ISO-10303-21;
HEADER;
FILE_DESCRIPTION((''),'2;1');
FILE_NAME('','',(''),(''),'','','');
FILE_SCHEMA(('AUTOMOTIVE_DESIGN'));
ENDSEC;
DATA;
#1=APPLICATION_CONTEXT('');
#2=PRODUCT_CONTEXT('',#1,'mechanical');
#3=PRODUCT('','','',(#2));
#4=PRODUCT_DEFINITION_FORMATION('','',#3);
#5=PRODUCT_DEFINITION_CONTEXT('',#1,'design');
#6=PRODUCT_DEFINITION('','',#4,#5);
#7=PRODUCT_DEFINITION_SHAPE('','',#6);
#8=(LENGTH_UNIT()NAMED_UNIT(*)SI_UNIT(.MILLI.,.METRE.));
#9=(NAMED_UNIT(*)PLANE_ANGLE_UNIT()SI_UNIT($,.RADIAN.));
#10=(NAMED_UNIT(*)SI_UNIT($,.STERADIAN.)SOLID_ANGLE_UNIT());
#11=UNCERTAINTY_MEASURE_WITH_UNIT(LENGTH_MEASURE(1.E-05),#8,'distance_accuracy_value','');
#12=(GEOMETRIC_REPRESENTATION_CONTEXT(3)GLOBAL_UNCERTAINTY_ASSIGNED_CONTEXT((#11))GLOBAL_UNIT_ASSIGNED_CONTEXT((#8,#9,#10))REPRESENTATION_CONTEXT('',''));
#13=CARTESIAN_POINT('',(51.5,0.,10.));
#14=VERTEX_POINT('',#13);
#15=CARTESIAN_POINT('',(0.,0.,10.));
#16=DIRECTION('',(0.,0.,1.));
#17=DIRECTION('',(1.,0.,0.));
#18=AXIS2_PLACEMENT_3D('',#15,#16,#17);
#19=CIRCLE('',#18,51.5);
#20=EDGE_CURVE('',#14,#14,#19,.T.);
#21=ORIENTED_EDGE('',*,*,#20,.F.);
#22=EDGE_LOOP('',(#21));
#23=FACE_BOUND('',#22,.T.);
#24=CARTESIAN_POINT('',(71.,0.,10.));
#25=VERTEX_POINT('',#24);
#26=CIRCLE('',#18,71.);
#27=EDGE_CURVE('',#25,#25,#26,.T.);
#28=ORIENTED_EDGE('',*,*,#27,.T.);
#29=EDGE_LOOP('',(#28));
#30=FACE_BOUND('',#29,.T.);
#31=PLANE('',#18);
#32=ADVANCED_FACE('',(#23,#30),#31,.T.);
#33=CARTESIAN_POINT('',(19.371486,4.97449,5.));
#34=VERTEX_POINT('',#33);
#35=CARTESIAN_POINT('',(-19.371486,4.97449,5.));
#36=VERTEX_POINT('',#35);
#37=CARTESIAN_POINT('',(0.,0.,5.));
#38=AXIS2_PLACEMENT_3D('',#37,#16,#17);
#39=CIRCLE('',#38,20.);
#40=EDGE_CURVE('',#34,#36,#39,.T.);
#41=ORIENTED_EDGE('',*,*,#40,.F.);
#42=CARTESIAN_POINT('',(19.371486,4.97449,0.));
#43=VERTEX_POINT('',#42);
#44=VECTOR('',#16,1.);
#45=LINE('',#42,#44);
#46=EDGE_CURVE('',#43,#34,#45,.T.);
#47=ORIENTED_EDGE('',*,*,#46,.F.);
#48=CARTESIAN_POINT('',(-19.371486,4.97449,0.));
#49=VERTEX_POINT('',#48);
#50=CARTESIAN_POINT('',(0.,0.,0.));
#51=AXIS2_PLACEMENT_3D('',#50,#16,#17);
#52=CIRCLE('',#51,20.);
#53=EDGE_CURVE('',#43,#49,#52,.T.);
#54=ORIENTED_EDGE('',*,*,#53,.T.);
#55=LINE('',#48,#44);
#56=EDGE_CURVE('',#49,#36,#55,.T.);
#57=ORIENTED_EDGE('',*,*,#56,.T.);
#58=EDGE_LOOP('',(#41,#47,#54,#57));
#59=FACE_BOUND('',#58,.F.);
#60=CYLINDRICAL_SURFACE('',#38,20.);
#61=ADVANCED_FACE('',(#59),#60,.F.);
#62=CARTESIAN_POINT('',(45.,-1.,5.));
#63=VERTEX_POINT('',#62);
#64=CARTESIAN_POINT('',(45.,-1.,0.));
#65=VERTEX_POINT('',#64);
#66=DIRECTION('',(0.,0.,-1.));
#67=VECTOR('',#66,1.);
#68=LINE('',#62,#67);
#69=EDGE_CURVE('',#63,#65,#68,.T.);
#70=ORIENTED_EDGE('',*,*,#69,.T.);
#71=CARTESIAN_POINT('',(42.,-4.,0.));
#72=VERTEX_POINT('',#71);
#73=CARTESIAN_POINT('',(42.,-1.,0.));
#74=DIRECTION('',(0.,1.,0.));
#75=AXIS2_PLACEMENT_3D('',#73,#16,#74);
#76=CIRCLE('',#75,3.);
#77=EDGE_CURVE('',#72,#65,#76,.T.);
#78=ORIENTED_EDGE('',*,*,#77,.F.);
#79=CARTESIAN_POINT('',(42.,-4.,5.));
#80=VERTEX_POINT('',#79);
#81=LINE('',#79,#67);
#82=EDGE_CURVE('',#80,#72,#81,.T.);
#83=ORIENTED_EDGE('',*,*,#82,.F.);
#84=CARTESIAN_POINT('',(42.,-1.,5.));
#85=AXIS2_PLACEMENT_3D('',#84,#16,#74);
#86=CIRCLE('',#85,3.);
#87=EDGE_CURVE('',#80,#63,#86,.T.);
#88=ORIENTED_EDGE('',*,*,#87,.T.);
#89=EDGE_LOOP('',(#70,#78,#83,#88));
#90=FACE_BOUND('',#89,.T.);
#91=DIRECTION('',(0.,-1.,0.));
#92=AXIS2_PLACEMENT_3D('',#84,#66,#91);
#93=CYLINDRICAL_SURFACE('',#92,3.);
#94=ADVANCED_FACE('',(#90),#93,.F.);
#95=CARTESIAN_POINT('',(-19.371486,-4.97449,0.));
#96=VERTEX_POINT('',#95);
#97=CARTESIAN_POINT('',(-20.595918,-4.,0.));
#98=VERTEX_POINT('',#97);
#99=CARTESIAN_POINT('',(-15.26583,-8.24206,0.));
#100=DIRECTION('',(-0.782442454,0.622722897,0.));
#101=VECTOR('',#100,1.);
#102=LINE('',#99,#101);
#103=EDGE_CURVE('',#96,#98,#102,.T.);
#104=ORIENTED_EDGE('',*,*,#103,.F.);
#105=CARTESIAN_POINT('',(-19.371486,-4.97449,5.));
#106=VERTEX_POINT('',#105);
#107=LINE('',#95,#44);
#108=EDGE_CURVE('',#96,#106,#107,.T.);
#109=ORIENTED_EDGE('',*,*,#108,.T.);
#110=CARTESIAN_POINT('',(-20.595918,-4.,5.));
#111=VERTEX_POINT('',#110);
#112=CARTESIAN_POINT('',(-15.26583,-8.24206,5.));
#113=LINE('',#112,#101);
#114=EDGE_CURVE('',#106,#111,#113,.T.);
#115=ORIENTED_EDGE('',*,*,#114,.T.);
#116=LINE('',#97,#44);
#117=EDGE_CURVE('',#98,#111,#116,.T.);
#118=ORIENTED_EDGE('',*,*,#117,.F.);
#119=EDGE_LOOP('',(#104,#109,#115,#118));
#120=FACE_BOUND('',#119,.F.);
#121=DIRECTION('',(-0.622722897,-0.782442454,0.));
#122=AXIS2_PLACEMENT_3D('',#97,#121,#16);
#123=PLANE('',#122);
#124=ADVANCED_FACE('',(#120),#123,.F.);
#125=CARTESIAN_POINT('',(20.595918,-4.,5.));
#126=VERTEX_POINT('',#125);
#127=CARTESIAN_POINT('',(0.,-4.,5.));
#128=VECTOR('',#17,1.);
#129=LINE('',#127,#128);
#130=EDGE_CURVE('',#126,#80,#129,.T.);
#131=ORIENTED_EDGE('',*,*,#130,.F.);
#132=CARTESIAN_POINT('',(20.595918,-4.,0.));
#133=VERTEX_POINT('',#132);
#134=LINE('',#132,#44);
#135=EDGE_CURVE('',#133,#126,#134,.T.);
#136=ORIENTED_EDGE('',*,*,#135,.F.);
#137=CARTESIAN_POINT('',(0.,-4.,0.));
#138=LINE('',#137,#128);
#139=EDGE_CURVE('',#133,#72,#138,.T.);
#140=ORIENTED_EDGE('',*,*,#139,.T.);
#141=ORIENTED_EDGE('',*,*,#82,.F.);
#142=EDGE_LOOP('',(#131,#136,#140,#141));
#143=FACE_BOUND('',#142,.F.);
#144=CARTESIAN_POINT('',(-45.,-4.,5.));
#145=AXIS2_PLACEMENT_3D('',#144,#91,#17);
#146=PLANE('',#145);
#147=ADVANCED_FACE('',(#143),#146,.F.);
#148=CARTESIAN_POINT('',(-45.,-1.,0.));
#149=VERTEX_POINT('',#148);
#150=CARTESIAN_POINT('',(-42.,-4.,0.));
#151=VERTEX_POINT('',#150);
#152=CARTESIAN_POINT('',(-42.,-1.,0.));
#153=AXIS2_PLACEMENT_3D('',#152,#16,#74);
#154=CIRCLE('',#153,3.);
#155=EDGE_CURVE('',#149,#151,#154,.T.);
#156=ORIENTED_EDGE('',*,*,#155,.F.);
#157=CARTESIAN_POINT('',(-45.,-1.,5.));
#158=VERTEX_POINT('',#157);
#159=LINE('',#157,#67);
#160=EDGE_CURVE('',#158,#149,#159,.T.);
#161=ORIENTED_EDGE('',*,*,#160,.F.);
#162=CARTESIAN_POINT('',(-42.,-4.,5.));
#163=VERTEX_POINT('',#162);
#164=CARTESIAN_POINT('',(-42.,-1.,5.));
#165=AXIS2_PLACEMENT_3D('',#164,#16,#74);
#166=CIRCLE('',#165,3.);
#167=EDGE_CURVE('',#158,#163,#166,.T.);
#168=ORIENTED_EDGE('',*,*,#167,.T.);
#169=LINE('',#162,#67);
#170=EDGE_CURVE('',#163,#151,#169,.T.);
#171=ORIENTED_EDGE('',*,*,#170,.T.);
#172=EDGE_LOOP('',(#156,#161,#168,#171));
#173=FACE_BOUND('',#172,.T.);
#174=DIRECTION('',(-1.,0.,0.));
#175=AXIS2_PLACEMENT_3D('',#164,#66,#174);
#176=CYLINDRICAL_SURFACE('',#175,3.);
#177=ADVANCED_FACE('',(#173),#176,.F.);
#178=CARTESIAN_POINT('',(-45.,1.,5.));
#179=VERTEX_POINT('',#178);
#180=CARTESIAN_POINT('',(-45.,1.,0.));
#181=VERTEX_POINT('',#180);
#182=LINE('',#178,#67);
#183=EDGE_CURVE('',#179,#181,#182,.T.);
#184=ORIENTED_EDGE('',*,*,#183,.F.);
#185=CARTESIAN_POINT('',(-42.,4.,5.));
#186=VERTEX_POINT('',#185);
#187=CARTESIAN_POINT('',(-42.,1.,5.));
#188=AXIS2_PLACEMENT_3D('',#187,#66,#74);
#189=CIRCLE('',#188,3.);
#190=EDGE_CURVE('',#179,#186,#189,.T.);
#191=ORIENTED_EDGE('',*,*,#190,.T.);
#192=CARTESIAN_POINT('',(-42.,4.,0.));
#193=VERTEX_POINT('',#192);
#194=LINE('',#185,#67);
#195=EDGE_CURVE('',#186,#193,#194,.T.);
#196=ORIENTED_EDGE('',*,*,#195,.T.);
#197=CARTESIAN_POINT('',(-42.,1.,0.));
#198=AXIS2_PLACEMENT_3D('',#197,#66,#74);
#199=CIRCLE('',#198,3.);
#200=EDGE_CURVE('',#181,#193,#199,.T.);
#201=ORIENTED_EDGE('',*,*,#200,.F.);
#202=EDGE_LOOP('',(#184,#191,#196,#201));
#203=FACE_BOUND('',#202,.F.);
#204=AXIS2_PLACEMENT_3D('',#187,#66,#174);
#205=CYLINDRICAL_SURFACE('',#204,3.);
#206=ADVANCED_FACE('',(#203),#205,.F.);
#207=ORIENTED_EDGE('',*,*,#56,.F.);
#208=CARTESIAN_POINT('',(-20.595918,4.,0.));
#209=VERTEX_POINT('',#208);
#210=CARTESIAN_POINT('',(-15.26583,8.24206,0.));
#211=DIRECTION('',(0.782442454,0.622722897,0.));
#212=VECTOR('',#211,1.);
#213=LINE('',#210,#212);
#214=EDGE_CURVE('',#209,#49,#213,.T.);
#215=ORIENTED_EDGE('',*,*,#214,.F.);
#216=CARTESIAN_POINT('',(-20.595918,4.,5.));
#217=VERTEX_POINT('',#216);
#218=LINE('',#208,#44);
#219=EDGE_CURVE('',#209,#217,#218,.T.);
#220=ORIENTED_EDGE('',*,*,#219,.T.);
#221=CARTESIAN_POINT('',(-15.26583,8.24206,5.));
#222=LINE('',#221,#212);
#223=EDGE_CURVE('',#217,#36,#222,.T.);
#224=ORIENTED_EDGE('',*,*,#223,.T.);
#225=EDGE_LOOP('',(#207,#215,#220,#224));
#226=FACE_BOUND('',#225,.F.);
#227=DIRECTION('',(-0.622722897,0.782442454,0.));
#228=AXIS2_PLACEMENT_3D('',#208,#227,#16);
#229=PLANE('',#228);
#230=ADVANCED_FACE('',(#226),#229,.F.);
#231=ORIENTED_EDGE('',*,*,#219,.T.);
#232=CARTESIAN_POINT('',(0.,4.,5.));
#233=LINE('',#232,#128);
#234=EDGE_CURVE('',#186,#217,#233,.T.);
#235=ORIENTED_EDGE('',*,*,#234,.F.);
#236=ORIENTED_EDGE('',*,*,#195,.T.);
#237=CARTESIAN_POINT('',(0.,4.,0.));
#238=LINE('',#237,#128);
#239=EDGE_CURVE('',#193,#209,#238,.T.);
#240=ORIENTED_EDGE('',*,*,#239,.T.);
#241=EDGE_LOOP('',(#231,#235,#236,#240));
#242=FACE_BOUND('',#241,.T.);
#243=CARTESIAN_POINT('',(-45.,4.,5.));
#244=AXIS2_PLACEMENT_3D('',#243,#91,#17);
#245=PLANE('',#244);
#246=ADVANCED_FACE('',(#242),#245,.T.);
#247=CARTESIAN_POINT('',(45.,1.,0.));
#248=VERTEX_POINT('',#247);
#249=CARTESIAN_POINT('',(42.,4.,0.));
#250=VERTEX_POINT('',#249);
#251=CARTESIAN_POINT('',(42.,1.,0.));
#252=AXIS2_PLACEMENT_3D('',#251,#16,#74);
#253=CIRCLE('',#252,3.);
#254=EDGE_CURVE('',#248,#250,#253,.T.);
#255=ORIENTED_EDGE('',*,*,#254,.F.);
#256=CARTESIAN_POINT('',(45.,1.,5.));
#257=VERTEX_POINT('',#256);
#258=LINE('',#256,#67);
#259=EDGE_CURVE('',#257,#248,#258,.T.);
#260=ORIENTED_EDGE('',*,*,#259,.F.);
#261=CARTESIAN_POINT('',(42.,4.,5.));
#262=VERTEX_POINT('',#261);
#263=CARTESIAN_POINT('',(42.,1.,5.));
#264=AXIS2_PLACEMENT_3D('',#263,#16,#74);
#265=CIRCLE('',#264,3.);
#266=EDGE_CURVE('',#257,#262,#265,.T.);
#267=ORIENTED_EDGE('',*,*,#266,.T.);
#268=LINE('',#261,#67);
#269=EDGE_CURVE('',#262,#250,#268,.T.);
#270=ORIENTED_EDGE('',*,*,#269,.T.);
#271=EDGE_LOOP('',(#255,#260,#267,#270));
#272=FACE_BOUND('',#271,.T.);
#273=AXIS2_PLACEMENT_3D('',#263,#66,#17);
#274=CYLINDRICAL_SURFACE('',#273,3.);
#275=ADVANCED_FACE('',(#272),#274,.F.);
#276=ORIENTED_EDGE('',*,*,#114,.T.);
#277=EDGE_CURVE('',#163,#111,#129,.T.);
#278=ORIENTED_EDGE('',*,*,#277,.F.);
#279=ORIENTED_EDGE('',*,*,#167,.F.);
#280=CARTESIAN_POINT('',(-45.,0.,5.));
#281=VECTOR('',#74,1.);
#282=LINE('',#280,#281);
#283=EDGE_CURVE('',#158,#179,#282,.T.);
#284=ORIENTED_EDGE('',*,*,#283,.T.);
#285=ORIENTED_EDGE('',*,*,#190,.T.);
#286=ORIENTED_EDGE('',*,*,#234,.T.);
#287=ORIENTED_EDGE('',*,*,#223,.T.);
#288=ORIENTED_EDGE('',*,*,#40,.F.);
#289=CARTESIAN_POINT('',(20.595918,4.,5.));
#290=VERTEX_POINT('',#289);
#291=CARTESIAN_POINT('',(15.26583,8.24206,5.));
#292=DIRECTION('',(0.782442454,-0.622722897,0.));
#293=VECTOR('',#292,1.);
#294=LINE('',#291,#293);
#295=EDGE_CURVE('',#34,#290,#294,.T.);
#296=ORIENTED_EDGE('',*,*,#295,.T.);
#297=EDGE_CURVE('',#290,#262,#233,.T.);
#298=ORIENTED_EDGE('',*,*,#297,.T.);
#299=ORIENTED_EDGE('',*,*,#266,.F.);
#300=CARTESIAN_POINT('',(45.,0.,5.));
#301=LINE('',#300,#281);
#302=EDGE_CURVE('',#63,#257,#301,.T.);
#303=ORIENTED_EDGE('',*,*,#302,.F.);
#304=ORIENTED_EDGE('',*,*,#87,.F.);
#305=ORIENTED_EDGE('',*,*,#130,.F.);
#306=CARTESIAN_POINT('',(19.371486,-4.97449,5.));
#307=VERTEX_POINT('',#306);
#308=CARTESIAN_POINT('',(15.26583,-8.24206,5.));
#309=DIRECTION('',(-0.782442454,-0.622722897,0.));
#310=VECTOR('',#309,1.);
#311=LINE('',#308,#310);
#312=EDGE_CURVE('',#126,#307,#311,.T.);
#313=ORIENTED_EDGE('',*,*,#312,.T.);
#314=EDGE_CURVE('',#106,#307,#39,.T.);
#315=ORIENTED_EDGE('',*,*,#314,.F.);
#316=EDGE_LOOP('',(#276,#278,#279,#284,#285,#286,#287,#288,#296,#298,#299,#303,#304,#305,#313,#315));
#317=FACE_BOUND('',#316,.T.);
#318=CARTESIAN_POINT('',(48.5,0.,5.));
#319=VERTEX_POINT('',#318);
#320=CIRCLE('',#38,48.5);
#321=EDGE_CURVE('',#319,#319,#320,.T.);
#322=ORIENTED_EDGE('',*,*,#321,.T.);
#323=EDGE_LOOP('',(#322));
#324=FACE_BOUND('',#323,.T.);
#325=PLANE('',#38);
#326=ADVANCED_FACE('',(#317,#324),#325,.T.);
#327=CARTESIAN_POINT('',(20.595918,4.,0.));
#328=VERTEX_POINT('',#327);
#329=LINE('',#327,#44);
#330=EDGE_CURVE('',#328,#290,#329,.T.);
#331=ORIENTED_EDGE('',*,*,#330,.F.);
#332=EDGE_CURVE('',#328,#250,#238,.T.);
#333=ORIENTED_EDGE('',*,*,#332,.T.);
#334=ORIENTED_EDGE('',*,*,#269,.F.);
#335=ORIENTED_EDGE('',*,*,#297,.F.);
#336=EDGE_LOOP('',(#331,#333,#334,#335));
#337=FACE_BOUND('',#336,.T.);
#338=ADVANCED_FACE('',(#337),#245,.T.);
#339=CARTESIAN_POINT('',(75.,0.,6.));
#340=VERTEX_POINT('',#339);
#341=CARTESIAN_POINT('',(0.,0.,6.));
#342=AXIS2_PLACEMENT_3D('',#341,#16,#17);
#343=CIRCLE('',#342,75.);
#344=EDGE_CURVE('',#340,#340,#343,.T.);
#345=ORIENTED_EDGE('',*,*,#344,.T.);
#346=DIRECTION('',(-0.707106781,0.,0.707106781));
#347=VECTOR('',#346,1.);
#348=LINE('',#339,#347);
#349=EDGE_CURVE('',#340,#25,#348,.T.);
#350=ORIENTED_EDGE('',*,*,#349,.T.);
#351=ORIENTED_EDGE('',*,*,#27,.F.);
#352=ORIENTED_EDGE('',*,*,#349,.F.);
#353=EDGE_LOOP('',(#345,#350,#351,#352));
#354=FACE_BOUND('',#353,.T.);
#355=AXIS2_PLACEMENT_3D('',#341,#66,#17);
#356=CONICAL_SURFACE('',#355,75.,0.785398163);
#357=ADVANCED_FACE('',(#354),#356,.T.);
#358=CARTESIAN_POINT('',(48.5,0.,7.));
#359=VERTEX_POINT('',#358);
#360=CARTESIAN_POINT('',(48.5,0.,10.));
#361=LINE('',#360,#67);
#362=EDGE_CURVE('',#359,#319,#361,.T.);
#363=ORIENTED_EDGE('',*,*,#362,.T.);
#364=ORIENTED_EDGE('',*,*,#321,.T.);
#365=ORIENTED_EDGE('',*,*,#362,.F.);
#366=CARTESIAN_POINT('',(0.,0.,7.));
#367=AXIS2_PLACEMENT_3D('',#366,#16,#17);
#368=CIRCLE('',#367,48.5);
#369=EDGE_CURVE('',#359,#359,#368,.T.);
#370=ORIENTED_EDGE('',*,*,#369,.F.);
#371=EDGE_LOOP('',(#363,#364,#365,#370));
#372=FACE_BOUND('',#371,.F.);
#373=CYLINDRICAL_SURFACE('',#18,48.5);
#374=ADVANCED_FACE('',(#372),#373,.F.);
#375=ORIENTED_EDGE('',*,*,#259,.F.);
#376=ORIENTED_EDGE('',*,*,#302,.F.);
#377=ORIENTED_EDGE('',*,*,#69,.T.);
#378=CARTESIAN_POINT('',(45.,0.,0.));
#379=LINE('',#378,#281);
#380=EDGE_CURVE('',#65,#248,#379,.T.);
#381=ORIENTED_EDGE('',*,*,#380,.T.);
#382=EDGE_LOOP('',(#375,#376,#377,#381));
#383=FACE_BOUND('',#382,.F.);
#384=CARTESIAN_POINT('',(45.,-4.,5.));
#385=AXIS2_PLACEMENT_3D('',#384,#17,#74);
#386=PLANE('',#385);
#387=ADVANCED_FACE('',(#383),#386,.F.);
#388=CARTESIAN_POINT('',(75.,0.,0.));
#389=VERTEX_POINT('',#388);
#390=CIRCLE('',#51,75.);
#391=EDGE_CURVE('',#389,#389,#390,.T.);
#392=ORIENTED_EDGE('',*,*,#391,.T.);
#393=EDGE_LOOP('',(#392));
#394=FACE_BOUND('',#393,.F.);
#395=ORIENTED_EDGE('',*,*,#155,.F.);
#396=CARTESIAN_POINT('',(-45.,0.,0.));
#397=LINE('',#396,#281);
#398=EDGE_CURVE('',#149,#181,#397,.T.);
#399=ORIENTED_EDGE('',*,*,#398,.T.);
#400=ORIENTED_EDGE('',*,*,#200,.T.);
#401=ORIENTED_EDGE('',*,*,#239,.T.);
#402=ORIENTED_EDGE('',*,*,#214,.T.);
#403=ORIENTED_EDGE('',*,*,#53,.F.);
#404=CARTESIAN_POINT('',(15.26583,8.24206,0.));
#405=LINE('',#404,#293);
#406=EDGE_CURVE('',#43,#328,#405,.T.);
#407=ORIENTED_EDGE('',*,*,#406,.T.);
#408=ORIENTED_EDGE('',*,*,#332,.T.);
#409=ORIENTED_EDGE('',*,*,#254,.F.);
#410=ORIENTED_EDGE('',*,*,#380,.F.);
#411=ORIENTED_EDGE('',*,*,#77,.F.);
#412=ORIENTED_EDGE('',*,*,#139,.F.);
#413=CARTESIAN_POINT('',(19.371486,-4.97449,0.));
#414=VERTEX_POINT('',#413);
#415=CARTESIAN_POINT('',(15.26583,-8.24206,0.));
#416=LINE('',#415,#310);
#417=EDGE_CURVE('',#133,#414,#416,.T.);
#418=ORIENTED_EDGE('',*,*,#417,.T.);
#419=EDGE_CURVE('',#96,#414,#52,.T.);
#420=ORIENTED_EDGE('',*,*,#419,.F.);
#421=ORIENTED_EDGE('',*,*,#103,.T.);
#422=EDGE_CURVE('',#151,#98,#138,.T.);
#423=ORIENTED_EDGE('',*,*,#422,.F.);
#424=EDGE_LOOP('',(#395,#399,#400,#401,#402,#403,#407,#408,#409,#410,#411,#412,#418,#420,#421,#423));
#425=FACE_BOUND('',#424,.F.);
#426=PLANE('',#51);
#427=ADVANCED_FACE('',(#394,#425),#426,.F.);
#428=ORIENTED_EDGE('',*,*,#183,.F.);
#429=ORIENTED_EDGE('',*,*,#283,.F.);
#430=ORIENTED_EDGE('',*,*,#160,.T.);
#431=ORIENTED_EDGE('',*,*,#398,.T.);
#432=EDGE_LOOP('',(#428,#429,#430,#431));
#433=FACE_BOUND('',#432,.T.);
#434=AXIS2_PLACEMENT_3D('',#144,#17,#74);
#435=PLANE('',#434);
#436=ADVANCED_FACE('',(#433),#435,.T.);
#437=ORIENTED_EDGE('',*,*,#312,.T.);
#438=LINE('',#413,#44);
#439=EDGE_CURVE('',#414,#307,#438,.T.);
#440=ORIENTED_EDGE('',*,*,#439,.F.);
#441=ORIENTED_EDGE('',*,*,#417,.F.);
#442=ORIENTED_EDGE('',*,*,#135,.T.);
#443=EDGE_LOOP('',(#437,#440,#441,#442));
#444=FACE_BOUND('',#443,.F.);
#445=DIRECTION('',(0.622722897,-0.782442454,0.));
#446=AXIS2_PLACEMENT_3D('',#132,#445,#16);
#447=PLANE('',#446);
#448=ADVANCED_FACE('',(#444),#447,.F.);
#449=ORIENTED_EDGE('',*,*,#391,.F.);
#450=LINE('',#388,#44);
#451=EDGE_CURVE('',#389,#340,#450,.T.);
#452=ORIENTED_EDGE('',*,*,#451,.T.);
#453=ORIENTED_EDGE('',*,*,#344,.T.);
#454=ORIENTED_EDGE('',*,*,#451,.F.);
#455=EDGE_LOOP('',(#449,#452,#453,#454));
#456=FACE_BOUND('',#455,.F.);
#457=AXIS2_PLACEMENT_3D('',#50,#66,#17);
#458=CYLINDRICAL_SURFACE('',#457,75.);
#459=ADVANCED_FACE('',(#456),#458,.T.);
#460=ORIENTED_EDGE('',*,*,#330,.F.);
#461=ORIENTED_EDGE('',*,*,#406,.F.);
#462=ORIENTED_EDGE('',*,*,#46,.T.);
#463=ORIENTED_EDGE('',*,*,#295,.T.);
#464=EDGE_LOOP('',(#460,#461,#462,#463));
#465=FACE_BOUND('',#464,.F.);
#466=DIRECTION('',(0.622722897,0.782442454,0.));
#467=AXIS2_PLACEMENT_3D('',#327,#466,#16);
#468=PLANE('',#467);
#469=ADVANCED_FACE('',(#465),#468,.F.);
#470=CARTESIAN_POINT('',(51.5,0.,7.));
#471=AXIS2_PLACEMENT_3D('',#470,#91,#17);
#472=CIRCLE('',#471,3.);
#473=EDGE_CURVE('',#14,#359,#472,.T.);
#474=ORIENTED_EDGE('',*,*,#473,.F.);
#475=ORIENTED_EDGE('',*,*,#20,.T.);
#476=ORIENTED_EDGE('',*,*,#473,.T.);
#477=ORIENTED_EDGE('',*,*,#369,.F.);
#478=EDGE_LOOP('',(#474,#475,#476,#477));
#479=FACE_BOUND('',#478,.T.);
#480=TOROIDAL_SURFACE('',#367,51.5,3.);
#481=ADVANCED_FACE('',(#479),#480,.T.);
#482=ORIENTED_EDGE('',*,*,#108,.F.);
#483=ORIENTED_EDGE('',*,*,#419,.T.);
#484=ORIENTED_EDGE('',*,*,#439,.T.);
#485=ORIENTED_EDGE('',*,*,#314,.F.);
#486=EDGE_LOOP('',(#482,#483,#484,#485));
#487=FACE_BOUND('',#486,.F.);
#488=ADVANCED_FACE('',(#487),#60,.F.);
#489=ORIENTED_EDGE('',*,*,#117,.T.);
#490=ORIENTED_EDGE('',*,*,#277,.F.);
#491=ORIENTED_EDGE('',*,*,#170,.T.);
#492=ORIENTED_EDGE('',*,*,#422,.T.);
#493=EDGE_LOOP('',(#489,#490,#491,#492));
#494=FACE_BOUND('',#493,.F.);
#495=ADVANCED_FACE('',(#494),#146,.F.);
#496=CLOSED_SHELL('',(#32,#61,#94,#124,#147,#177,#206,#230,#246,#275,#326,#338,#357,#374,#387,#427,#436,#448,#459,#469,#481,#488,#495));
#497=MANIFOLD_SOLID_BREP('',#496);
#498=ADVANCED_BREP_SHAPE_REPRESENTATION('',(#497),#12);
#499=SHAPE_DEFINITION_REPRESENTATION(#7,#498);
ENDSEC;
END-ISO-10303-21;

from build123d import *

# Parameters (mm, degrees)
SKETCH_R        = 75
PAD_DEPTH       = 10
SKETCH001_R     = 48.5
POCKET_DEPTH    = 5
SKETCH002_R     = 20
POCKET001_DEPTH = 5
SKETCH004_W     = 90
SKETCH004_H     = 8
POCKET002_DEPTH = 5
CHAMFER_SIZE    = 4
FILLET_R        = 3
FILLET001_R     = 3
FILLET002_R     = 3
FILLET003_R     = 3
FILLET004_R     = 3
CHAMFER001_SIZE = 1
CHAMFER002_SIZE = 1
CHAMFER003_SIZE = 1
CHAMFER004_SIZE = 1


with BuildPart() as part:
    # Sketch → Pad (new body)
    with BuildSketch(Plane.XY):
        Circle(SKETCH_R)
    extrude(amount=PAD_DEPTH)

    # Sketch001 (on Face3 of Pad) → Pocket (cut)
    with BuildSketch(Plane.XY.offset(10)):
        Circle(SKETCH001_R)
    extrude(amount=-POCKET_DEPTH, mode=Mode.SUBTRACT)

    # Sketch002 (on Face5 of Pocket) → Pocket001 (cut)
    with BuildSketch(Plane.XY.offset(5)):
        Circle(SKETCH002_R)
    extrude(amount=-POCKET001_DEPTH, mode=Mode.SUBTRACT)

    # Sketch004 (on Face6 of Pocket001) → Pocket002 (cut)
    with BuildSketch(Plane.XY.offset(5)):
        Rectangle(SKETCH004_W, SKETCH004_H)
    extrude(amount=-POCKET002_DEPTH, mode=Mode.SUBTRACT)

    # Chamfer
    chamfer_edges = [part.edges().sort_by_distance(p)[0] for p in [
        (-75, 0, 10),
    ]]
    chamfer(chamfer_edges, length=CHAMFER_SIZE)

    # Fillet
    fillet_edges = [part.edges().sort_by_distance(p)[0] for p in [
        (-48.5, 0, 10),
    ]]
    fillet(fillet_edges, radius=FILLET_R)

    # Fillet001
    fillet001_edges = [part.edges().sort_by_distance(p)[0] for p in [
        (-45, -4, 2.5),
    ]]
    fillet(fillet001_edges, radius=FILLET001_R)

    # Fillet002
    fillet002_edges = [part.edges().sort_by_distance(p)[0] for p in [
        (-45, 4, 2.5),
    ]]
    fillet(fillet002_edges, radius=FILLET002_R)

    # Fillet003
    fillet003_edges = [part.edges().sort_by_distance(p)[0] for p in [
        (45, -4, 2.5),
    ]]
    fillet(fillet003_edges, radius=FILLET003_R)

    # Fillet004
    fillet004_edges = [part.edges().sort_by_distance(p)[0] for p in [
        (45, 4, 2.5),
    ]]
    fillet(fillet004_edges, radius=FILLET004_R)

    # Chamfer001
    chamfer001_edges = [part.edges().sort_by_distance(p)[0] for p in [
        (19.595918, -4, 2.5),
    ]]
    chamfer(chamfer001_edges, length=CHAMFER001_SIZE)

    # Chamfer002
    chamfer002_edges = [part.edges().sort_by_distance(p)[0] for p in [
        (-19.595918, -4, 2.5),
    ]]
    chamfer(chamfer002_edges, length=CHAMFER002_SIZE)

    # Chamfer003
    chamfer003_edges = [part.edges().sort_by_distance(p)[0] for p in [
        (-19.595918, 4, 2.5),
    ]]
    chamfer(chamfer003_edges, length=CHAMFER003_SIZE)

    # Chamfer004
    chamfer004_edges = [part.edges().sort_by_distance(p)[0] for p in [
        (19.595918, 4, 2.5),
    ]]
    chamfer(chamfer004_edges, length=CHAMFER004_SIZE)


solid = part.part
